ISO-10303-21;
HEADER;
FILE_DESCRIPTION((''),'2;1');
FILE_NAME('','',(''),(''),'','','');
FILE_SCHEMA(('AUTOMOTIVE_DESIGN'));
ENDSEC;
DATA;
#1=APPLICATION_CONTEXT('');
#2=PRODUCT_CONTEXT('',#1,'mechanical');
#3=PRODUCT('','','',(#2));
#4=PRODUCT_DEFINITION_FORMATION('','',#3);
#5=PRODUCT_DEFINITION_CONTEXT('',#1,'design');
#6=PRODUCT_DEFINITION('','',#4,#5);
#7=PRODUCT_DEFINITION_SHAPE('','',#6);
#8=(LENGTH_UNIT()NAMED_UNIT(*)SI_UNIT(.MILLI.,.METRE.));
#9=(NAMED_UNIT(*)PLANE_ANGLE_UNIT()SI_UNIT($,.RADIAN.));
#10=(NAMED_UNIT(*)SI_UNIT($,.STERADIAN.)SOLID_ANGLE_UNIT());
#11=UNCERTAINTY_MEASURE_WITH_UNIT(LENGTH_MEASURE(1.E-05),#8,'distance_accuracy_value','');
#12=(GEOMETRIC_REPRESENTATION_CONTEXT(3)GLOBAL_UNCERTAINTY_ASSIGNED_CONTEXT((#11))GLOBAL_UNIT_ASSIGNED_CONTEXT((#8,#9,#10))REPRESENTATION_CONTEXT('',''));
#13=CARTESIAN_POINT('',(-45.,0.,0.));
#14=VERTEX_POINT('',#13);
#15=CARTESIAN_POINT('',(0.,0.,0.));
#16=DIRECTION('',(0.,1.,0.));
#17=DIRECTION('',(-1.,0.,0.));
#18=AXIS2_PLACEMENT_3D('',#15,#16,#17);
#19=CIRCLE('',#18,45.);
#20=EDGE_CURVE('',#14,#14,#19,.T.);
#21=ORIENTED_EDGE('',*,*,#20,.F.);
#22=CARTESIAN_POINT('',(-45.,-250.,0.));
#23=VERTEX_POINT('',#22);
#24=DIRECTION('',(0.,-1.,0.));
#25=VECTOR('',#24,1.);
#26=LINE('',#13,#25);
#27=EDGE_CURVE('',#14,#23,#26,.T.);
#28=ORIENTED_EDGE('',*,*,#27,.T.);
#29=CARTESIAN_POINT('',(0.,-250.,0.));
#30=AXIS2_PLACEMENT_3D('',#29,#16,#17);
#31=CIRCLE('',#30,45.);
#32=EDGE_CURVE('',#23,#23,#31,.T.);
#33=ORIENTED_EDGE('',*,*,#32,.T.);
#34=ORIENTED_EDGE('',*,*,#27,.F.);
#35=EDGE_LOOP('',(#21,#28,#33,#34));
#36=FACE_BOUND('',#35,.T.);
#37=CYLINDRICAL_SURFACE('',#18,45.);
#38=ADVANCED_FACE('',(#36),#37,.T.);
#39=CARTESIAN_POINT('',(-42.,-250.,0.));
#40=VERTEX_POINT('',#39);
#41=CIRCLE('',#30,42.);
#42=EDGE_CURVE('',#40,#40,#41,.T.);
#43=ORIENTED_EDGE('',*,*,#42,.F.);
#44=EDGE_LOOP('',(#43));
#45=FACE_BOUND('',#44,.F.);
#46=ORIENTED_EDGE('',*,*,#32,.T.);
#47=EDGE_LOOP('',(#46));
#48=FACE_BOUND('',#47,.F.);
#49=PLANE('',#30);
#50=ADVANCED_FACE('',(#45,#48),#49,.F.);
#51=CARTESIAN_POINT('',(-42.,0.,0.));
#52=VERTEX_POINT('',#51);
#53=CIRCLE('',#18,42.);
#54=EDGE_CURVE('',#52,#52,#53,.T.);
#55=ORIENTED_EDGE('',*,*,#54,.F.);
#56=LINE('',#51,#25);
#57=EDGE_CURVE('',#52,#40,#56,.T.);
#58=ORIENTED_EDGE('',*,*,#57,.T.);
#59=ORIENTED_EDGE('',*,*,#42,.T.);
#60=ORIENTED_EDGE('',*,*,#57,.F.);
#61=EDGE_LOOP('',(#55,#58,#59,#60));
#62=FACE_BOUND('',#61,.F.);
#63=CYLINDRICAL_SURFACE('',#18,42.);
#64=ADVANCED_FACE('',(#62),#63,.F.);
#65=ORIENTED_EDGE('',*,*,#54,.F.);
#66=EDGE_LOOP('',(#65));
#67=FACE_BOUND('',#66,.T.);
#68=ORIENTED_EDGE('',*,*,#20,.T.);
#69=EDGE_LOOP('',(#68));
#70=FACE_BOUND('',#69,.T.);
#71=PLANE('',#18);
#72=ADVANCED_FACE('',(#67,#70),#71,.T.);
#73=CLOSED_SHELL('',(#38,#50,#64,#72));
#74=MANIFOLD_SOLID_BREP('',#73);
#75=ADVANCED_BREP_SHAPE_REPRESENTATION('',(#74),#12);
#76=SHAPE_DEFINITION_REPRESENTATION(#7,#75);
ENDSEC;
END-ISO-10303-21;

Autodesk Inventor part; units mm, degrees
ref_plane "YZ Plane" through (0, 0, 0) normal (1, 0, 0) x (0, 1, 0)
ref_plane "XZ Plane" through (0, 0, 0) normal (0, 1, 0) x (-1, 0, 0)
ref_plane "XY Plane" through (0, 0, 0) normal (0, 0, 1) x (1, 0, 0)
sketch "Sketch1" plane through (0, 0, 0) normal (0, 1, 0) x (-1, 0, 0)
  circle A0 centre (0, 0) radius 45
  circle A1 centre (0, 0) radius 42
  dimension "d0" = 90
  dimension "d1" = 3
extrude "Extrusion1" add sketch "Sketch1" against normal blind 250
properties part number "PNS 1734 FDS tube 4" material "Steel"
